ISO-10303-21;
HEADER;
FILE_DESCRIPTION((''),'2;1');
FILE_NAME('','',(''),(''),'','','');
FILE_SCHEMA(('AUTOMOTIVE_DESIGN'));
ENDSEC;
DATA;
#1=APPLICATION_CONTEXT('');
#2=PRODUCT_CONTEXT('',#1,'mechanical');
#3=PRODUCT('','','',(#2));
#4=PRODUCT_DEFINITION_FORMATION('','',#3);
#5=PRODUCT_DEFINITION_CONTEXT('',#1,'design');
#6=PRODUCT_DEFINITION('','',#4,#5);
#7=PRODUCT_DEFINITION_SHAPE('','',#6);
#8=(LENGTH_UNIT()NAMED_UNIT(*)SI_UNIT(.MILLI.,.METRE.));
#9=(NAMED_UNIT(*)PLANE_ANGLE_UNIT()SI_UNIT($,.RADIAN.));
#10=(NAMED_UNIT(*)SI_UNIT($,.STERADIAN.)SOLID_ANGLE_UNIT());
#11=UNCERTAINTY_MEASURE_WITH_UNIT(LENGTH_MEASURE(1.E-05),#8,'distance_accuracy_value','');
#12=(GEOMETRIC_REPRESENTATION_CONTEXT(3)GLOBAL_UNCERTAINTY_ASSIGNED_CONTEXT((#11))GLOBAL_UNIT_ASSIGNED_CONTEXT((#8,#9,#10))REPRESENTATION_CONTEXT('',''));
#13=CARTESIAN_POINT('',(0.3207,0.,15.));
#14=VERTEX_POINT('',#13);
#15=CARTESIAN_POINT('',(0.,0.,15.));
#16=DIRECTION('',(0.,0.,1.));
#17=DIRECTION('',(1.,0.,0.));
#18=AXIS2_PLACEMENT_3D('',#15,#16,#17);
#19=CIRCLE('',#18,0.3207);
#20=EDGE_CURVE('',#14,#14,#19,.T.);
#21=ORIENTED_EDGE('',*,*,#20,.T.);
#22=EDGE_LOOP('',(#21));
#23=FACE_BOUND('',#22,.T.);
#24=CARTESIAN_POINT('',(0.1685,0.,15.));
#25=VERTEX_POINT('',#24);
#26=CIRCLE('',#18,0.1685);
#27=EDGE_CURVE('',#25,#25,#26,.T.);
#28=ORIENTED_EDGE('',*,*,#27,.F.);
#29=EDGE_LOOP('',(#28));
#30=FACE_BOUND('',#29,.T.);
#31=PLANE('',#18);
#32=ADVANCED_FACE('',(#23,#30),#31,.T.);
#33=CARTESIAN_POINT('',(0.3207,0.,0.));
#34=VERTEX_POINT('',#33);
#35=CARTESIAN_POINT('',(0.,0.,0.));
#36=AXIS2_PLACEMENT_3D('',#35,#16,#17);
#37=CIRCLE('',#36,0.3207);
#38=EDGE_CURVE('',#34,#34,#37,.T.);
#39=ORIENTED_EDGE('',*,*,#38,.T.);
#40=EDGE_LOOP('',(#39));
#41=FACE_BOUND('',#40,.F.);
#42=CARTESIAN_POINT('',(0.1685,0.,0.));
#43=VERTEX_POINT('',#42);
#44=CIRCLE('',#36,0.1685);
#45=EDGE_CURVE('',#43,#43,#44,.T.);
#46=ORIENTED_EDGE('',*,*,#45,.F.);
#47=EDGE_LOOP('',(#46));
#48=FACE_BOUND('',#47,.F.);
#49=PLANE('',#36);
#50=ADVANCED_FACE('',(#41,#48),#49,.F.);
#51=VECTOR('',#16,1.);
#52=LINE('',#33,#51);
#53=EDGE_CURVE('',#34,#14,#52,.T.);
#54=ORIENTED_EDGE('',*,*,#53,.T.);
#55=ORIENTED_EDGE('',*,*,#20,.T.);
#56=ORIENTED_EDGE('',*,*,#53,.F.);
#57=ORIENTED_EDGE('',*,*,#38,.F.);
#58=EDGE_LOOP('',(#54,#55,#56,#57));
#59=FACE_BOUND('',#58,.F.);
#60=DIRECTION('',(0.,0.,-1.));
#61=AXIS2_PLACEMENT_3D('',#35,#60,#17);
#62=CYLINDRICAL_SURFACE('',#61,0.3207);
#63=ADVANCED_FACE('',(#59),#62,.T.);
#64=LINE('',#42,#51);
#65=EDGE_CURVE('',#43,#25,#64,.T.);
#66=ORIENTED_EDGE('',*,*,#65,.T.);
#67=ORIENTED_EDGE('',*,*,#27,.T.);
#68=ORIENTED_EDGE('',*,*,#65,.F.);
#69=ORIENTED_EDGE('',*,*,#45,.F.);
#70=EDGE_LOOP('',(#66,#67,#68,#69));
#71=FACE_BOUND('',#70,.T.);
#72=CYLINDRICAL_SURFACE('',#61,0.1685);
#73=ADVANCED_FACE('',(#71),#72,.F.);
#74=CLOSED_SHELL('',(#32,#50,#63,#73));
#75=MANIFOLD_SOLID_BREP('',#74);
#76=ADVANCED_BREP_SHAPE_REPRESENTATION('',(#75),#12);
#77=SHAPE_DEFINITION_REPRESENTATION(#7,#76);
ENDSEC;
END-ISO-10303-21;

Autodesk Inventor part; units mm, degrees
ref_plane "YZ Plane" through (0, 0, 0) normal (1, 0, 0) x (0, 1, 0)
ref_plane "XZ Plane" through (0, 0, 0) normal (0, 1, 0) x (-1, 0, 0)
ref_plane "XY Plane" through (0, 0, 0) normal (0, 0, 1) x (1, 0, 0)
sketch "Sketch1" plane through (0, 0, 0) normal (0, 0, 1) x (1, 0, 0)
  circle A0 centre (0, 0) radius 0.3207
  circle A1 centre (0, 0) radius 0.1685
  dimension "d0" = 0.6414
  dimension "d1" = 0.337
extrude "Extrusion1" add sketch "Sketch1" along normal blind 15
properties part number "23G_Holder"
